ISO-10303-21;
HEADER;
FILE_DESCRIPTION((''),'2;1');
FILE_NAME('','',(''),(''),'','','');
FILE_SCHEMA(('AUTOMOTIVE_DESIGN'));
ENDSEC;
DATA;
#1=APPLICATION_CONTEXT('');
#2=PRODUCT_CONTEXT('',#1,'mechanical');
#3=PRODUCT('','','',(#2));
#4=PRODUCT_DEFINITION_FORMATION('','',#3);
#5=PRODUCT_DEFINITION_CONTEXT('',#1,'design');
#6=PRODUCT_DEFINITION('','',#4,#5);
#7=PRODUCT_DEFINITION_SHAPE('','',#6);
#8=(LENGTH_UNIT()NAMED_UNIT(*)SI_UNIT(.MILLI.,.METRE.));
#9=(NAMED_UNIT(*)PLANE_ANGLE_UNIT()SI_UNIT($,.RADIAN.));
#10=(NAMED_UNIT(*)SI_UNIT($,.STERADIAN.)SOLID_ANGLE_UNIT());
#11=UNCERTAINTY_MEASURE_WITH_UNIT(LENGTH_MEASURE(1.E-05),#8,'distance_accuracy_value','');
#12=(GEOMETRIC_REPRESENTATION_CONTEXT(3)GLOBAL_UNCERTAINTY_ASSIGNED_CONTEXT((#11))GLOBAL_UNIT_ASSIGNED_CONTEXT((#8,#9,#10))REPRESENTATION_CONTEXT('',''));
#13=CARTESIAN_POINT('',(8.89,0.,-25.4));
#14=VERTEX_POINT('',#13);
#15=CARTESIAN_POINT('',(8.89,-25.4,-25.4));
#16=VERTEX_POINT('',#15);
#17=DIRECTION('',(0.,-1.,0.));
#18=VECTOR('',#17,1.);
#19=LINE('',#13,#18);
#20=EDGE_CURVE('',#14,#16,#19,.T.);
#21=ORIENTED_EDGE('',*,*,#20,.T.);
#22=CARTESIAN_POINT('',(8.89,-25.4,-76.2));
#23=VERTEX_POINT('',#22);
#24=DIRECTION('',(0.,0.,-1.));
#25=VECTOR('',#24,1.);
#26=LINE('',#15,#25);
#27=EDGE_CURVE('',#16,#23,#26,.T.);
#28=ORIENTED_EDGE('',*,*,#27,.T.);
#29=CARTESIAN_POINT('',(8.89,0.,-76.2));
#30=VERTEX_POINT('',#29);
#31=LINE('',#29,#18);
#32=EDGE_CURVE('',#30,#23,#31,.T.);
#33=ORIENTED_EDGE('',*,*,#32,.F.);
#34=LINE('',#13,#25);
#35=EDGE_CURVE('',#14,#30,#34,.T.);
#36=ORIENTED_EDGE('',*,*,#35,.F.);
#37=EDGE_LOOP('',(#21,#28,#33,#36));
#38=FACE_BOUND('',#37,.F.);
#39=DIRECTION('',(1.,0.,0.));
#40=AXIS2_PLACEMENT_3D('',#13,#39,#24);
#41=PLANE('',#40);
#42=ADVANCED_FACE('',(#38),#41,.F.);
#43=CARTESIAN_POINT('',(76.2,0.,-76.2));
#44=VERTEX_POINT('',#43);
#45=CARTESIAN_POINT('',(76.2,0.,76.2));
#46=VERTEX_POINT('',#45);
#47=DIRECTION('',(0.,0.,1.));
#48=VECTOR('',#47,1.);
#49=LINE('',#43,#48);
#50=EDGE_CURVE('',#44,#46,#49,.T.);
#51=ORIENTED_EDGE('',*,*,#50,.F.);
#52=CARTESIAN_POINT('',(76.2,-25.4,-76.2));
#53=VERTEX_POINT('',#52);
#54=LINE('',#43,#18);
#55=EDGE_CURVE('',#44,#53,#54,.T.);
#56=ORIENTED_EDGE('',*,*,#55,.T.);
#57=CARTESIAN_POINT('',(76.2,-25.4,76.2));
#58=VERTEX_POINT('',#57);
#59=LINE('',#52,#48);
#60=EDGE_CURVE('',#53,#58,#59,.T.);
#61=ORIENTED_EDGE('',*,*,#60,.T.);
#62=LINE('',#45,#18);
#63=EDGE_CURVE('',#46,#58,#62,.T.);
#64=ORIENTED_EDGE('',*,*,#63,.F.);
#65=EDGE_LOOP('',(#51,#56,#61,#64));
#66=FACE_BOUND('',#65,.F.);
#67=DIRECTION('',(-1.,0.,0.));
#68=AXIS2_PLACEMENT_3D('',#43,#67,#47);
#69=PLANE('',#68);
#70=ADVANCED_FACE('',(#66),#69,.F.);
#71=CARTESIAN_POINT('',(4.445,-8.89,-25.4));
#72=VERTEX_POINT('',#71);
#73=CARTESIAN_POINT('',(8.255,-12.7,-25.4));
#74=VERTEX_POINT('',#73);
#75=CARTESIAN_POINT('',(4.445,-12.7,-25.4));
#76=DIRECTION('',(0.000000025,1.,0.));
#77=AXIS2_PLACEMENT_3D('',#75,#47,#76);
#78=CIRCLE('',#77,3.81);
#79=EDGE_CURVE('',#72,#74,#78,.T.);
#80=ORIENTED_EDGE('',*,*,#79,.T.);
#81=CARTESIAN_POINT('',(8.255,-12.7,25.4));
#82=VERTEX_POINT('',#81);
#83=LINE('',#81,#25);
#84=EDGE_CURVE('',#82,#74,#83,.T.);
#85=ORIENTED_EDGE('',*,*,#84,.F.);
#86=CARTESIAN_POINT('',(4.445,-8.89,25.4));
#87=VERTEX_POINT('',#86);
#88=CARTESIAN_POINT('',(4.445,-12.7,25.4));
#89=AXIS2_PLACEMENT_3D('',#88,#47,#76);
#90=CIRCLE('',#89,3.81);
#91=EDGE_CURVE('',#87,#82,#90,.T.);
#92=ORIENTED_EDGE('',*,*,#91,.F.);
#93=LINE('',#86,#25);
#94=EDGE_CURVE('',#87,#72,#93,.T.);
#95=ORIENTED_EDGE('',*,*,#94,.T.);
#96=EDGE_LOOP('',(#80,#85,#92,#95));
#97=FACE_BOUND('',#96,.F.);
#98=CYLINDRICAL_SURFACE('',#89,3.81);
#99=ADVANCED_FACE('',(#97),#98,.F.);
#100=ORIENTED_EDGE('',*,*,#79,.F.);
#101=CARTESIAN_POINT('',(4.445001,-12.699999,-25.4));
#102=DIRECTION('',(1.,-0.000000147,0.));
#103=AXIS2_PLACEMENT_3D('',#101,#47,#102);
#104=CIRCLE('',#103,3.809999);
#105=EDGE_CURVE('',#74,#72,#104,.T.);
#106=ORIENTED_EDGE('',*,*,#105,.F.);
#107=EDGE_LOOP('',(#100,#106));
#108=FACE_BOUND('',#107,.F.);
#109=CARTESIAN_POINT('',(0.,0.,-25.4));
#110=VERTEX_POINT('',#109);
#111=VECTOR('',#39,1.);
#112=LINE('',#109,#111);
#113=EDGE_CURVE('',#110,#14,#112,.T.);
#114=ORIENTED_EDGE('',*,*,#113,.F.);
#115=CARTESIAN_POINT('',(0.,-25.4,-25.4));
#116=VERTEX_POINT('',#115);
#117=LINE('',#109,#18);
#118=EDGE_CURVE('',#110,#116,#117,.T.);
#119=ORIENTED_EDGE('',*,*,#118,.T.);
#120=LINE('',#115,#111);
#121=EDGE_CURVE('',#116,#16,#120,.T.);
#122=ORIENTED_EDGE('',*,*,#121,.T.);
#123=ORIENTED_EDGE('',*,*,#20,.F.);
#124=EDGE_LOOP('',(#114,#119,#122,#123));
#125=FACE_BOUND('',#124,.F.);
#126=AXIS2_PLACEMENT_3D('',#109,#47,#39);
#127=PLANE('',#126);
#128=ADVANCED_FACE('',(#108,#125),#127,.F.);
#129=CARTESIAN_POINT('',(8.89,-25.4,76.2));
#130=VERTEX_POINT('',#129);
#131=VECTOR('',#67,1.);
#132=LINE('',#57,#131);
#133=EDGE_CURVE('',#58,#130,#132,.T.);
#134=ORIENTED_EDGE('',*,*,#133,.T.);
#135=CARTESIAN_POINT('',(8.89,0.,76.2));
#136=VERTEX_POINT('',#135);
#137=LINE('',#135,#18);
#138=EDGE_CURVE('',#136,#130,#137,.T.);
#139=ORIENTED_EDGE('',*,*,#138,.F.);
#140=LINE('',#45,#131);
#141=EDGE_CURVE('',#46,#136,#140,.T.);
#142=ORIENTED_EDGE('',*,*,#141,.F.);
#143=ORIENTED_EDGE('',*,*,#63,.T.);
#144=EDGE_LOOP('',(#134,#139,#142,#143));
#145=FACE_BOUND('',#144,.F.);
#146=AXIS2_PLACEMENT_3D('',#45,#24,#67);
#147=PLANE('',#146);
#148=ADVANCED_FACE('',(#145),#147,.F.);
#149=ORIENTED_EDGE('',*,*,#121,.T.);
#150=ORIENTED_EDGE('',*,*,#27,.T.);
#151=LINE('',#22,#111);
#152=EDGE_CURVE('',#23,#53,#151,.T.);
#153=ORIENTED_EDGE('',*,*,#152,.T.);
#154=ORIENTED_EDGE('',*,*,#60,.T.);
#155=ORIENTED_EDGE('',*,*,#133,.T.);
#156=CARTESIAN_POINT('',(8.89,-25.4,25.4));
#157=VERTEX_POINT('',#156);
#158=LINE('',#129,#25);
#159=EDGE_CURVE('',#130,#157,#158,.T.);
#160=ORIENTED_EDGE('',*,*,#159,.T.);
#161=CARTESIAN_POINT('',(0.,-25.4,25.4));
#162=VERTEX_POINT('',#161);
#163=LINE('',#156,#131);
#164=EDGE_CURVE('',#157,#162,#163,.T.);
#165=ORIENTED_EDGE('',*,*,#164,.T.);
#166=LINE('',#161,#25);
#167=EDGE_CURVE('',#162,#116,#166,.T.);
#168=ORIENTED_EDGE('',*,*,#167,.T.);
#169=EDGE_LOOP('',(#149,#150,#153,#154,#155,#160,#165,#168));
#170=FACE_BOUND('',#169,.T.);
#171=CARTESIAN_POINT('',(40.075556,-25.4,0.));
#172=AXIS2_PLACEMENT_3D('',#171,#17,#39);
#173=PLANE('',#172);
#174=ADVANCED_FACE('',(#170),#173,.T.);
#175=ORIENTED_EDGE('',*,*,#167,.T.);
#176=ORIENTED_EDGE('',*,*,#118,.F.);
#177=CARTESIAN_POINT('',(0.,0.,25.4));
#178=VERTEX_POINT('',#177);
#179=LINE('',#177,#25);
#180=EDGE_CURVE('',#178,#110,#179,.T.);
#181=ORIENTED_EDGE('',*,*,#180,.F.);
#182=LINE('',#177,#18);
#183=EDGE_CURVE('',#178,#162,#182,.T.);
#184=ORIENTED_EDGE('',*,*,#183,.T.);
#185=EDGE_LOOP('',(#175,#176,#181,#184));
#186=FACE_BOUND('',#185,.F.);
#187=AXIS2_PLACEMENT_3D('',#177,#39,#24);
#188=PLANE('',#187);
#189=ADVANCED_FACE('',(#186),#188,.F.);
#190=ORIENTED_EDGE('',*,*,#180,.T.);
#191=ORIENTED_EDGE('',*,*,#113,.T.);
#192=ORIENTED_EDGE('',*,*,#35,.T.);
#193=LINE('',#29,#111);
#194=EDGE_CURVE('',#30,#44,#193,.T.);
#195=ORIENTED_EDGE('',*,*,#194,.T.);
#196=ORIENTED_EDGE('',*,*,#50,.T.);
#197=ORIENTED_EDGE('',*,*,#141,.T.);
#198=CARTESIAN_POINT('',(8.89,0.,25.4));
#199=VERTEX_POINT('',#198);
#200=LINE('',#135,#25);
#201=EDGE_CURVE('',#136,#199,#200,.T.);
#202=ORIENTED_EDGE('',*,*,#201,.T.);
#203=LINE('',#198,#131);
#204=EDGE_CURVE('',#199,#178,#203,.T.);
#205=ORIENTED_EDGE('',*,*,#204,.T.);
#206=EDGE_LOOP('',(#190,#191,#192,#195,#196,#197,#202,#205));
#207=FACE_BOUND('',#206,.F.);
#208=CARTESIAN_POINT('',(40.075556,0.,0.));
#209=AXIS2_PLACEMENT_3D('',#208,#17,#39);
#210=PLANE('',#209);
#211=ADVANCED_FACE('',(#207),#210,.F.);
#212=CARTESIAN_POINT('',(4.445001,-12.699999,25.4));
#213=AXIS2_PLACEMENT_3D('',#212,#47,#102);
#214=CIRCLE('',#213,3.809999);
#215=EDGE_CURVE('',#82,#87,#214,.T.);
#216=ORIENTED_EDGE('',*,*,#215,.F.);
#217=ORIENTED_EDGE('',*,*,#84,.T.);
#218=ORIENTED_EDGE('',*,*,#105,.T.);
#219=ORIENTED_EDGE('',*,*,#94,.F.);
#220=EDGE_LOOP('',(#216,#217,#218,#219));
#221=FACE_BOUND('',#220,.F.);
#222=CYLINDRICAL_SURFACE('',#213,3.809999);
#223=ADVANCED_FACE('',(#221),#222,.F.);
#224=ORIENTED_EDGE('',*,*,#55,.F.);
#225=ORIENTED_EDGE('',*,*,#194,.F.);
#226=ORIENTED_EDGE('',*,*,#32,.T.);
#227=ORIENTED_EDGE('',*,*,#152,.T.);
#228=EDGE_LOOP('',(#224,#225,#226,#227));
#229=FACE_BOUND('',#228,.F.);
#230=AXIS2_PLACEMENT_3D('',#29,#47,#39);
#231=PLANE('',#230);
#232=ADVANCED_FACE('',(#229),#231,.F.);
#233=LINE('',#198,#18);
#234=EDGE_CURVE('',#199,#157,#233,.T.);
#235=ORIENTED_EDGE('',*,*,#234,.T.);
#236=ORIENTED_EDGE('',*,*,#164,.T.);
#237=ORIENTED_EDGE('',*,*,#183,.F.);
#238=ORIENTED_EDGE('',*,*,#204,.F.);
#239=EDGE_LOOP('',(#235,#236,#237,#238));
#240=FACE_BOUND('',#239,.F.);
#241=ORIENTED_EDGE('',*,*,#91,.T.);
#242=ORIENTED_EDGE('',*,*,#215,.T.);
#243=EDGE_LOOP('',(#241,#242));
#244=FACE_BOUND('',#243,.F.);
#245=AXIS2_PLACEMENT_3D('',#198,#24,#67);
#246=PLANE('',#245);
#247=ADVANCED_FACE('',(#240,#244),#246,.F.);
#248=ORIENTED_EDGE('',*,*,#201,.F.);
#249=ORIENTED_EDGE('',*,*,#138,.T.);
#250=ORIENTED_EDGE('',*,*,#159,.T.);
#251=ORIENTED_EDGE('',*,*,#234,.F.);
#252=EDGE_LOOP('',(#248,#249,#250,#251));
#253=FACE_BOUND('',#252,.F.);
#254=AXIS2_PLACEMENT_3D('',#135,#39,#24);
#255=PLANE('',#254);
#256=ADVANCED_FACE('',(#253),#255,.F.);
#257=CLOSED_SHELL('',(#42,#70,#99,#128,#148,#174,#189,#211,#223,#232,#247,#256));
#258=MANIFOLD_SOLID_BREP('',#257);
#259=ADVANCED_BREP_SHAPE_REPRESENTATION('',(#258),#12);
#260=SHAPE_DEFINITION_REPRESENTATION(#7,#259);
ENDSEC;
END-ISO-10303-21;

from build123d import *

# Parameters (mm, degrees)
F1_DEPTH = 25.4
F3_DEPTH = 101.601


with BuildPart() as f1:
    # F0 (on Front) → F1 (new body)
    with BuildSketch(Plane.XZ):
        Polygon((0, 25.4), (0, 0), (0, -25.4), (8.89, -25.4), (8.89, -76.2), (76.2, -76.2), (76.2, 76.2), (8.89, 76.2), (8.89, 25.4), align=None)
    extrude(amount=F1_DEPTH)

    # F2 (on face) → F3 (cut, through all)
    with BuildSketch(Plane.XY.offset(25.4)):
        with BuildLine():
            ThreePointArc((8.255, -12.7), (7.139077, -10.005923), (4.445, -8.89))
            ThreePointArc((4.445, -8.89), (1.750923, -15.394077), (8.255, -12.7))
        make_face()
    extrude(amount=-F3_DEPTH, mode=Mode.SUBTRACT)


solid = f1.part
